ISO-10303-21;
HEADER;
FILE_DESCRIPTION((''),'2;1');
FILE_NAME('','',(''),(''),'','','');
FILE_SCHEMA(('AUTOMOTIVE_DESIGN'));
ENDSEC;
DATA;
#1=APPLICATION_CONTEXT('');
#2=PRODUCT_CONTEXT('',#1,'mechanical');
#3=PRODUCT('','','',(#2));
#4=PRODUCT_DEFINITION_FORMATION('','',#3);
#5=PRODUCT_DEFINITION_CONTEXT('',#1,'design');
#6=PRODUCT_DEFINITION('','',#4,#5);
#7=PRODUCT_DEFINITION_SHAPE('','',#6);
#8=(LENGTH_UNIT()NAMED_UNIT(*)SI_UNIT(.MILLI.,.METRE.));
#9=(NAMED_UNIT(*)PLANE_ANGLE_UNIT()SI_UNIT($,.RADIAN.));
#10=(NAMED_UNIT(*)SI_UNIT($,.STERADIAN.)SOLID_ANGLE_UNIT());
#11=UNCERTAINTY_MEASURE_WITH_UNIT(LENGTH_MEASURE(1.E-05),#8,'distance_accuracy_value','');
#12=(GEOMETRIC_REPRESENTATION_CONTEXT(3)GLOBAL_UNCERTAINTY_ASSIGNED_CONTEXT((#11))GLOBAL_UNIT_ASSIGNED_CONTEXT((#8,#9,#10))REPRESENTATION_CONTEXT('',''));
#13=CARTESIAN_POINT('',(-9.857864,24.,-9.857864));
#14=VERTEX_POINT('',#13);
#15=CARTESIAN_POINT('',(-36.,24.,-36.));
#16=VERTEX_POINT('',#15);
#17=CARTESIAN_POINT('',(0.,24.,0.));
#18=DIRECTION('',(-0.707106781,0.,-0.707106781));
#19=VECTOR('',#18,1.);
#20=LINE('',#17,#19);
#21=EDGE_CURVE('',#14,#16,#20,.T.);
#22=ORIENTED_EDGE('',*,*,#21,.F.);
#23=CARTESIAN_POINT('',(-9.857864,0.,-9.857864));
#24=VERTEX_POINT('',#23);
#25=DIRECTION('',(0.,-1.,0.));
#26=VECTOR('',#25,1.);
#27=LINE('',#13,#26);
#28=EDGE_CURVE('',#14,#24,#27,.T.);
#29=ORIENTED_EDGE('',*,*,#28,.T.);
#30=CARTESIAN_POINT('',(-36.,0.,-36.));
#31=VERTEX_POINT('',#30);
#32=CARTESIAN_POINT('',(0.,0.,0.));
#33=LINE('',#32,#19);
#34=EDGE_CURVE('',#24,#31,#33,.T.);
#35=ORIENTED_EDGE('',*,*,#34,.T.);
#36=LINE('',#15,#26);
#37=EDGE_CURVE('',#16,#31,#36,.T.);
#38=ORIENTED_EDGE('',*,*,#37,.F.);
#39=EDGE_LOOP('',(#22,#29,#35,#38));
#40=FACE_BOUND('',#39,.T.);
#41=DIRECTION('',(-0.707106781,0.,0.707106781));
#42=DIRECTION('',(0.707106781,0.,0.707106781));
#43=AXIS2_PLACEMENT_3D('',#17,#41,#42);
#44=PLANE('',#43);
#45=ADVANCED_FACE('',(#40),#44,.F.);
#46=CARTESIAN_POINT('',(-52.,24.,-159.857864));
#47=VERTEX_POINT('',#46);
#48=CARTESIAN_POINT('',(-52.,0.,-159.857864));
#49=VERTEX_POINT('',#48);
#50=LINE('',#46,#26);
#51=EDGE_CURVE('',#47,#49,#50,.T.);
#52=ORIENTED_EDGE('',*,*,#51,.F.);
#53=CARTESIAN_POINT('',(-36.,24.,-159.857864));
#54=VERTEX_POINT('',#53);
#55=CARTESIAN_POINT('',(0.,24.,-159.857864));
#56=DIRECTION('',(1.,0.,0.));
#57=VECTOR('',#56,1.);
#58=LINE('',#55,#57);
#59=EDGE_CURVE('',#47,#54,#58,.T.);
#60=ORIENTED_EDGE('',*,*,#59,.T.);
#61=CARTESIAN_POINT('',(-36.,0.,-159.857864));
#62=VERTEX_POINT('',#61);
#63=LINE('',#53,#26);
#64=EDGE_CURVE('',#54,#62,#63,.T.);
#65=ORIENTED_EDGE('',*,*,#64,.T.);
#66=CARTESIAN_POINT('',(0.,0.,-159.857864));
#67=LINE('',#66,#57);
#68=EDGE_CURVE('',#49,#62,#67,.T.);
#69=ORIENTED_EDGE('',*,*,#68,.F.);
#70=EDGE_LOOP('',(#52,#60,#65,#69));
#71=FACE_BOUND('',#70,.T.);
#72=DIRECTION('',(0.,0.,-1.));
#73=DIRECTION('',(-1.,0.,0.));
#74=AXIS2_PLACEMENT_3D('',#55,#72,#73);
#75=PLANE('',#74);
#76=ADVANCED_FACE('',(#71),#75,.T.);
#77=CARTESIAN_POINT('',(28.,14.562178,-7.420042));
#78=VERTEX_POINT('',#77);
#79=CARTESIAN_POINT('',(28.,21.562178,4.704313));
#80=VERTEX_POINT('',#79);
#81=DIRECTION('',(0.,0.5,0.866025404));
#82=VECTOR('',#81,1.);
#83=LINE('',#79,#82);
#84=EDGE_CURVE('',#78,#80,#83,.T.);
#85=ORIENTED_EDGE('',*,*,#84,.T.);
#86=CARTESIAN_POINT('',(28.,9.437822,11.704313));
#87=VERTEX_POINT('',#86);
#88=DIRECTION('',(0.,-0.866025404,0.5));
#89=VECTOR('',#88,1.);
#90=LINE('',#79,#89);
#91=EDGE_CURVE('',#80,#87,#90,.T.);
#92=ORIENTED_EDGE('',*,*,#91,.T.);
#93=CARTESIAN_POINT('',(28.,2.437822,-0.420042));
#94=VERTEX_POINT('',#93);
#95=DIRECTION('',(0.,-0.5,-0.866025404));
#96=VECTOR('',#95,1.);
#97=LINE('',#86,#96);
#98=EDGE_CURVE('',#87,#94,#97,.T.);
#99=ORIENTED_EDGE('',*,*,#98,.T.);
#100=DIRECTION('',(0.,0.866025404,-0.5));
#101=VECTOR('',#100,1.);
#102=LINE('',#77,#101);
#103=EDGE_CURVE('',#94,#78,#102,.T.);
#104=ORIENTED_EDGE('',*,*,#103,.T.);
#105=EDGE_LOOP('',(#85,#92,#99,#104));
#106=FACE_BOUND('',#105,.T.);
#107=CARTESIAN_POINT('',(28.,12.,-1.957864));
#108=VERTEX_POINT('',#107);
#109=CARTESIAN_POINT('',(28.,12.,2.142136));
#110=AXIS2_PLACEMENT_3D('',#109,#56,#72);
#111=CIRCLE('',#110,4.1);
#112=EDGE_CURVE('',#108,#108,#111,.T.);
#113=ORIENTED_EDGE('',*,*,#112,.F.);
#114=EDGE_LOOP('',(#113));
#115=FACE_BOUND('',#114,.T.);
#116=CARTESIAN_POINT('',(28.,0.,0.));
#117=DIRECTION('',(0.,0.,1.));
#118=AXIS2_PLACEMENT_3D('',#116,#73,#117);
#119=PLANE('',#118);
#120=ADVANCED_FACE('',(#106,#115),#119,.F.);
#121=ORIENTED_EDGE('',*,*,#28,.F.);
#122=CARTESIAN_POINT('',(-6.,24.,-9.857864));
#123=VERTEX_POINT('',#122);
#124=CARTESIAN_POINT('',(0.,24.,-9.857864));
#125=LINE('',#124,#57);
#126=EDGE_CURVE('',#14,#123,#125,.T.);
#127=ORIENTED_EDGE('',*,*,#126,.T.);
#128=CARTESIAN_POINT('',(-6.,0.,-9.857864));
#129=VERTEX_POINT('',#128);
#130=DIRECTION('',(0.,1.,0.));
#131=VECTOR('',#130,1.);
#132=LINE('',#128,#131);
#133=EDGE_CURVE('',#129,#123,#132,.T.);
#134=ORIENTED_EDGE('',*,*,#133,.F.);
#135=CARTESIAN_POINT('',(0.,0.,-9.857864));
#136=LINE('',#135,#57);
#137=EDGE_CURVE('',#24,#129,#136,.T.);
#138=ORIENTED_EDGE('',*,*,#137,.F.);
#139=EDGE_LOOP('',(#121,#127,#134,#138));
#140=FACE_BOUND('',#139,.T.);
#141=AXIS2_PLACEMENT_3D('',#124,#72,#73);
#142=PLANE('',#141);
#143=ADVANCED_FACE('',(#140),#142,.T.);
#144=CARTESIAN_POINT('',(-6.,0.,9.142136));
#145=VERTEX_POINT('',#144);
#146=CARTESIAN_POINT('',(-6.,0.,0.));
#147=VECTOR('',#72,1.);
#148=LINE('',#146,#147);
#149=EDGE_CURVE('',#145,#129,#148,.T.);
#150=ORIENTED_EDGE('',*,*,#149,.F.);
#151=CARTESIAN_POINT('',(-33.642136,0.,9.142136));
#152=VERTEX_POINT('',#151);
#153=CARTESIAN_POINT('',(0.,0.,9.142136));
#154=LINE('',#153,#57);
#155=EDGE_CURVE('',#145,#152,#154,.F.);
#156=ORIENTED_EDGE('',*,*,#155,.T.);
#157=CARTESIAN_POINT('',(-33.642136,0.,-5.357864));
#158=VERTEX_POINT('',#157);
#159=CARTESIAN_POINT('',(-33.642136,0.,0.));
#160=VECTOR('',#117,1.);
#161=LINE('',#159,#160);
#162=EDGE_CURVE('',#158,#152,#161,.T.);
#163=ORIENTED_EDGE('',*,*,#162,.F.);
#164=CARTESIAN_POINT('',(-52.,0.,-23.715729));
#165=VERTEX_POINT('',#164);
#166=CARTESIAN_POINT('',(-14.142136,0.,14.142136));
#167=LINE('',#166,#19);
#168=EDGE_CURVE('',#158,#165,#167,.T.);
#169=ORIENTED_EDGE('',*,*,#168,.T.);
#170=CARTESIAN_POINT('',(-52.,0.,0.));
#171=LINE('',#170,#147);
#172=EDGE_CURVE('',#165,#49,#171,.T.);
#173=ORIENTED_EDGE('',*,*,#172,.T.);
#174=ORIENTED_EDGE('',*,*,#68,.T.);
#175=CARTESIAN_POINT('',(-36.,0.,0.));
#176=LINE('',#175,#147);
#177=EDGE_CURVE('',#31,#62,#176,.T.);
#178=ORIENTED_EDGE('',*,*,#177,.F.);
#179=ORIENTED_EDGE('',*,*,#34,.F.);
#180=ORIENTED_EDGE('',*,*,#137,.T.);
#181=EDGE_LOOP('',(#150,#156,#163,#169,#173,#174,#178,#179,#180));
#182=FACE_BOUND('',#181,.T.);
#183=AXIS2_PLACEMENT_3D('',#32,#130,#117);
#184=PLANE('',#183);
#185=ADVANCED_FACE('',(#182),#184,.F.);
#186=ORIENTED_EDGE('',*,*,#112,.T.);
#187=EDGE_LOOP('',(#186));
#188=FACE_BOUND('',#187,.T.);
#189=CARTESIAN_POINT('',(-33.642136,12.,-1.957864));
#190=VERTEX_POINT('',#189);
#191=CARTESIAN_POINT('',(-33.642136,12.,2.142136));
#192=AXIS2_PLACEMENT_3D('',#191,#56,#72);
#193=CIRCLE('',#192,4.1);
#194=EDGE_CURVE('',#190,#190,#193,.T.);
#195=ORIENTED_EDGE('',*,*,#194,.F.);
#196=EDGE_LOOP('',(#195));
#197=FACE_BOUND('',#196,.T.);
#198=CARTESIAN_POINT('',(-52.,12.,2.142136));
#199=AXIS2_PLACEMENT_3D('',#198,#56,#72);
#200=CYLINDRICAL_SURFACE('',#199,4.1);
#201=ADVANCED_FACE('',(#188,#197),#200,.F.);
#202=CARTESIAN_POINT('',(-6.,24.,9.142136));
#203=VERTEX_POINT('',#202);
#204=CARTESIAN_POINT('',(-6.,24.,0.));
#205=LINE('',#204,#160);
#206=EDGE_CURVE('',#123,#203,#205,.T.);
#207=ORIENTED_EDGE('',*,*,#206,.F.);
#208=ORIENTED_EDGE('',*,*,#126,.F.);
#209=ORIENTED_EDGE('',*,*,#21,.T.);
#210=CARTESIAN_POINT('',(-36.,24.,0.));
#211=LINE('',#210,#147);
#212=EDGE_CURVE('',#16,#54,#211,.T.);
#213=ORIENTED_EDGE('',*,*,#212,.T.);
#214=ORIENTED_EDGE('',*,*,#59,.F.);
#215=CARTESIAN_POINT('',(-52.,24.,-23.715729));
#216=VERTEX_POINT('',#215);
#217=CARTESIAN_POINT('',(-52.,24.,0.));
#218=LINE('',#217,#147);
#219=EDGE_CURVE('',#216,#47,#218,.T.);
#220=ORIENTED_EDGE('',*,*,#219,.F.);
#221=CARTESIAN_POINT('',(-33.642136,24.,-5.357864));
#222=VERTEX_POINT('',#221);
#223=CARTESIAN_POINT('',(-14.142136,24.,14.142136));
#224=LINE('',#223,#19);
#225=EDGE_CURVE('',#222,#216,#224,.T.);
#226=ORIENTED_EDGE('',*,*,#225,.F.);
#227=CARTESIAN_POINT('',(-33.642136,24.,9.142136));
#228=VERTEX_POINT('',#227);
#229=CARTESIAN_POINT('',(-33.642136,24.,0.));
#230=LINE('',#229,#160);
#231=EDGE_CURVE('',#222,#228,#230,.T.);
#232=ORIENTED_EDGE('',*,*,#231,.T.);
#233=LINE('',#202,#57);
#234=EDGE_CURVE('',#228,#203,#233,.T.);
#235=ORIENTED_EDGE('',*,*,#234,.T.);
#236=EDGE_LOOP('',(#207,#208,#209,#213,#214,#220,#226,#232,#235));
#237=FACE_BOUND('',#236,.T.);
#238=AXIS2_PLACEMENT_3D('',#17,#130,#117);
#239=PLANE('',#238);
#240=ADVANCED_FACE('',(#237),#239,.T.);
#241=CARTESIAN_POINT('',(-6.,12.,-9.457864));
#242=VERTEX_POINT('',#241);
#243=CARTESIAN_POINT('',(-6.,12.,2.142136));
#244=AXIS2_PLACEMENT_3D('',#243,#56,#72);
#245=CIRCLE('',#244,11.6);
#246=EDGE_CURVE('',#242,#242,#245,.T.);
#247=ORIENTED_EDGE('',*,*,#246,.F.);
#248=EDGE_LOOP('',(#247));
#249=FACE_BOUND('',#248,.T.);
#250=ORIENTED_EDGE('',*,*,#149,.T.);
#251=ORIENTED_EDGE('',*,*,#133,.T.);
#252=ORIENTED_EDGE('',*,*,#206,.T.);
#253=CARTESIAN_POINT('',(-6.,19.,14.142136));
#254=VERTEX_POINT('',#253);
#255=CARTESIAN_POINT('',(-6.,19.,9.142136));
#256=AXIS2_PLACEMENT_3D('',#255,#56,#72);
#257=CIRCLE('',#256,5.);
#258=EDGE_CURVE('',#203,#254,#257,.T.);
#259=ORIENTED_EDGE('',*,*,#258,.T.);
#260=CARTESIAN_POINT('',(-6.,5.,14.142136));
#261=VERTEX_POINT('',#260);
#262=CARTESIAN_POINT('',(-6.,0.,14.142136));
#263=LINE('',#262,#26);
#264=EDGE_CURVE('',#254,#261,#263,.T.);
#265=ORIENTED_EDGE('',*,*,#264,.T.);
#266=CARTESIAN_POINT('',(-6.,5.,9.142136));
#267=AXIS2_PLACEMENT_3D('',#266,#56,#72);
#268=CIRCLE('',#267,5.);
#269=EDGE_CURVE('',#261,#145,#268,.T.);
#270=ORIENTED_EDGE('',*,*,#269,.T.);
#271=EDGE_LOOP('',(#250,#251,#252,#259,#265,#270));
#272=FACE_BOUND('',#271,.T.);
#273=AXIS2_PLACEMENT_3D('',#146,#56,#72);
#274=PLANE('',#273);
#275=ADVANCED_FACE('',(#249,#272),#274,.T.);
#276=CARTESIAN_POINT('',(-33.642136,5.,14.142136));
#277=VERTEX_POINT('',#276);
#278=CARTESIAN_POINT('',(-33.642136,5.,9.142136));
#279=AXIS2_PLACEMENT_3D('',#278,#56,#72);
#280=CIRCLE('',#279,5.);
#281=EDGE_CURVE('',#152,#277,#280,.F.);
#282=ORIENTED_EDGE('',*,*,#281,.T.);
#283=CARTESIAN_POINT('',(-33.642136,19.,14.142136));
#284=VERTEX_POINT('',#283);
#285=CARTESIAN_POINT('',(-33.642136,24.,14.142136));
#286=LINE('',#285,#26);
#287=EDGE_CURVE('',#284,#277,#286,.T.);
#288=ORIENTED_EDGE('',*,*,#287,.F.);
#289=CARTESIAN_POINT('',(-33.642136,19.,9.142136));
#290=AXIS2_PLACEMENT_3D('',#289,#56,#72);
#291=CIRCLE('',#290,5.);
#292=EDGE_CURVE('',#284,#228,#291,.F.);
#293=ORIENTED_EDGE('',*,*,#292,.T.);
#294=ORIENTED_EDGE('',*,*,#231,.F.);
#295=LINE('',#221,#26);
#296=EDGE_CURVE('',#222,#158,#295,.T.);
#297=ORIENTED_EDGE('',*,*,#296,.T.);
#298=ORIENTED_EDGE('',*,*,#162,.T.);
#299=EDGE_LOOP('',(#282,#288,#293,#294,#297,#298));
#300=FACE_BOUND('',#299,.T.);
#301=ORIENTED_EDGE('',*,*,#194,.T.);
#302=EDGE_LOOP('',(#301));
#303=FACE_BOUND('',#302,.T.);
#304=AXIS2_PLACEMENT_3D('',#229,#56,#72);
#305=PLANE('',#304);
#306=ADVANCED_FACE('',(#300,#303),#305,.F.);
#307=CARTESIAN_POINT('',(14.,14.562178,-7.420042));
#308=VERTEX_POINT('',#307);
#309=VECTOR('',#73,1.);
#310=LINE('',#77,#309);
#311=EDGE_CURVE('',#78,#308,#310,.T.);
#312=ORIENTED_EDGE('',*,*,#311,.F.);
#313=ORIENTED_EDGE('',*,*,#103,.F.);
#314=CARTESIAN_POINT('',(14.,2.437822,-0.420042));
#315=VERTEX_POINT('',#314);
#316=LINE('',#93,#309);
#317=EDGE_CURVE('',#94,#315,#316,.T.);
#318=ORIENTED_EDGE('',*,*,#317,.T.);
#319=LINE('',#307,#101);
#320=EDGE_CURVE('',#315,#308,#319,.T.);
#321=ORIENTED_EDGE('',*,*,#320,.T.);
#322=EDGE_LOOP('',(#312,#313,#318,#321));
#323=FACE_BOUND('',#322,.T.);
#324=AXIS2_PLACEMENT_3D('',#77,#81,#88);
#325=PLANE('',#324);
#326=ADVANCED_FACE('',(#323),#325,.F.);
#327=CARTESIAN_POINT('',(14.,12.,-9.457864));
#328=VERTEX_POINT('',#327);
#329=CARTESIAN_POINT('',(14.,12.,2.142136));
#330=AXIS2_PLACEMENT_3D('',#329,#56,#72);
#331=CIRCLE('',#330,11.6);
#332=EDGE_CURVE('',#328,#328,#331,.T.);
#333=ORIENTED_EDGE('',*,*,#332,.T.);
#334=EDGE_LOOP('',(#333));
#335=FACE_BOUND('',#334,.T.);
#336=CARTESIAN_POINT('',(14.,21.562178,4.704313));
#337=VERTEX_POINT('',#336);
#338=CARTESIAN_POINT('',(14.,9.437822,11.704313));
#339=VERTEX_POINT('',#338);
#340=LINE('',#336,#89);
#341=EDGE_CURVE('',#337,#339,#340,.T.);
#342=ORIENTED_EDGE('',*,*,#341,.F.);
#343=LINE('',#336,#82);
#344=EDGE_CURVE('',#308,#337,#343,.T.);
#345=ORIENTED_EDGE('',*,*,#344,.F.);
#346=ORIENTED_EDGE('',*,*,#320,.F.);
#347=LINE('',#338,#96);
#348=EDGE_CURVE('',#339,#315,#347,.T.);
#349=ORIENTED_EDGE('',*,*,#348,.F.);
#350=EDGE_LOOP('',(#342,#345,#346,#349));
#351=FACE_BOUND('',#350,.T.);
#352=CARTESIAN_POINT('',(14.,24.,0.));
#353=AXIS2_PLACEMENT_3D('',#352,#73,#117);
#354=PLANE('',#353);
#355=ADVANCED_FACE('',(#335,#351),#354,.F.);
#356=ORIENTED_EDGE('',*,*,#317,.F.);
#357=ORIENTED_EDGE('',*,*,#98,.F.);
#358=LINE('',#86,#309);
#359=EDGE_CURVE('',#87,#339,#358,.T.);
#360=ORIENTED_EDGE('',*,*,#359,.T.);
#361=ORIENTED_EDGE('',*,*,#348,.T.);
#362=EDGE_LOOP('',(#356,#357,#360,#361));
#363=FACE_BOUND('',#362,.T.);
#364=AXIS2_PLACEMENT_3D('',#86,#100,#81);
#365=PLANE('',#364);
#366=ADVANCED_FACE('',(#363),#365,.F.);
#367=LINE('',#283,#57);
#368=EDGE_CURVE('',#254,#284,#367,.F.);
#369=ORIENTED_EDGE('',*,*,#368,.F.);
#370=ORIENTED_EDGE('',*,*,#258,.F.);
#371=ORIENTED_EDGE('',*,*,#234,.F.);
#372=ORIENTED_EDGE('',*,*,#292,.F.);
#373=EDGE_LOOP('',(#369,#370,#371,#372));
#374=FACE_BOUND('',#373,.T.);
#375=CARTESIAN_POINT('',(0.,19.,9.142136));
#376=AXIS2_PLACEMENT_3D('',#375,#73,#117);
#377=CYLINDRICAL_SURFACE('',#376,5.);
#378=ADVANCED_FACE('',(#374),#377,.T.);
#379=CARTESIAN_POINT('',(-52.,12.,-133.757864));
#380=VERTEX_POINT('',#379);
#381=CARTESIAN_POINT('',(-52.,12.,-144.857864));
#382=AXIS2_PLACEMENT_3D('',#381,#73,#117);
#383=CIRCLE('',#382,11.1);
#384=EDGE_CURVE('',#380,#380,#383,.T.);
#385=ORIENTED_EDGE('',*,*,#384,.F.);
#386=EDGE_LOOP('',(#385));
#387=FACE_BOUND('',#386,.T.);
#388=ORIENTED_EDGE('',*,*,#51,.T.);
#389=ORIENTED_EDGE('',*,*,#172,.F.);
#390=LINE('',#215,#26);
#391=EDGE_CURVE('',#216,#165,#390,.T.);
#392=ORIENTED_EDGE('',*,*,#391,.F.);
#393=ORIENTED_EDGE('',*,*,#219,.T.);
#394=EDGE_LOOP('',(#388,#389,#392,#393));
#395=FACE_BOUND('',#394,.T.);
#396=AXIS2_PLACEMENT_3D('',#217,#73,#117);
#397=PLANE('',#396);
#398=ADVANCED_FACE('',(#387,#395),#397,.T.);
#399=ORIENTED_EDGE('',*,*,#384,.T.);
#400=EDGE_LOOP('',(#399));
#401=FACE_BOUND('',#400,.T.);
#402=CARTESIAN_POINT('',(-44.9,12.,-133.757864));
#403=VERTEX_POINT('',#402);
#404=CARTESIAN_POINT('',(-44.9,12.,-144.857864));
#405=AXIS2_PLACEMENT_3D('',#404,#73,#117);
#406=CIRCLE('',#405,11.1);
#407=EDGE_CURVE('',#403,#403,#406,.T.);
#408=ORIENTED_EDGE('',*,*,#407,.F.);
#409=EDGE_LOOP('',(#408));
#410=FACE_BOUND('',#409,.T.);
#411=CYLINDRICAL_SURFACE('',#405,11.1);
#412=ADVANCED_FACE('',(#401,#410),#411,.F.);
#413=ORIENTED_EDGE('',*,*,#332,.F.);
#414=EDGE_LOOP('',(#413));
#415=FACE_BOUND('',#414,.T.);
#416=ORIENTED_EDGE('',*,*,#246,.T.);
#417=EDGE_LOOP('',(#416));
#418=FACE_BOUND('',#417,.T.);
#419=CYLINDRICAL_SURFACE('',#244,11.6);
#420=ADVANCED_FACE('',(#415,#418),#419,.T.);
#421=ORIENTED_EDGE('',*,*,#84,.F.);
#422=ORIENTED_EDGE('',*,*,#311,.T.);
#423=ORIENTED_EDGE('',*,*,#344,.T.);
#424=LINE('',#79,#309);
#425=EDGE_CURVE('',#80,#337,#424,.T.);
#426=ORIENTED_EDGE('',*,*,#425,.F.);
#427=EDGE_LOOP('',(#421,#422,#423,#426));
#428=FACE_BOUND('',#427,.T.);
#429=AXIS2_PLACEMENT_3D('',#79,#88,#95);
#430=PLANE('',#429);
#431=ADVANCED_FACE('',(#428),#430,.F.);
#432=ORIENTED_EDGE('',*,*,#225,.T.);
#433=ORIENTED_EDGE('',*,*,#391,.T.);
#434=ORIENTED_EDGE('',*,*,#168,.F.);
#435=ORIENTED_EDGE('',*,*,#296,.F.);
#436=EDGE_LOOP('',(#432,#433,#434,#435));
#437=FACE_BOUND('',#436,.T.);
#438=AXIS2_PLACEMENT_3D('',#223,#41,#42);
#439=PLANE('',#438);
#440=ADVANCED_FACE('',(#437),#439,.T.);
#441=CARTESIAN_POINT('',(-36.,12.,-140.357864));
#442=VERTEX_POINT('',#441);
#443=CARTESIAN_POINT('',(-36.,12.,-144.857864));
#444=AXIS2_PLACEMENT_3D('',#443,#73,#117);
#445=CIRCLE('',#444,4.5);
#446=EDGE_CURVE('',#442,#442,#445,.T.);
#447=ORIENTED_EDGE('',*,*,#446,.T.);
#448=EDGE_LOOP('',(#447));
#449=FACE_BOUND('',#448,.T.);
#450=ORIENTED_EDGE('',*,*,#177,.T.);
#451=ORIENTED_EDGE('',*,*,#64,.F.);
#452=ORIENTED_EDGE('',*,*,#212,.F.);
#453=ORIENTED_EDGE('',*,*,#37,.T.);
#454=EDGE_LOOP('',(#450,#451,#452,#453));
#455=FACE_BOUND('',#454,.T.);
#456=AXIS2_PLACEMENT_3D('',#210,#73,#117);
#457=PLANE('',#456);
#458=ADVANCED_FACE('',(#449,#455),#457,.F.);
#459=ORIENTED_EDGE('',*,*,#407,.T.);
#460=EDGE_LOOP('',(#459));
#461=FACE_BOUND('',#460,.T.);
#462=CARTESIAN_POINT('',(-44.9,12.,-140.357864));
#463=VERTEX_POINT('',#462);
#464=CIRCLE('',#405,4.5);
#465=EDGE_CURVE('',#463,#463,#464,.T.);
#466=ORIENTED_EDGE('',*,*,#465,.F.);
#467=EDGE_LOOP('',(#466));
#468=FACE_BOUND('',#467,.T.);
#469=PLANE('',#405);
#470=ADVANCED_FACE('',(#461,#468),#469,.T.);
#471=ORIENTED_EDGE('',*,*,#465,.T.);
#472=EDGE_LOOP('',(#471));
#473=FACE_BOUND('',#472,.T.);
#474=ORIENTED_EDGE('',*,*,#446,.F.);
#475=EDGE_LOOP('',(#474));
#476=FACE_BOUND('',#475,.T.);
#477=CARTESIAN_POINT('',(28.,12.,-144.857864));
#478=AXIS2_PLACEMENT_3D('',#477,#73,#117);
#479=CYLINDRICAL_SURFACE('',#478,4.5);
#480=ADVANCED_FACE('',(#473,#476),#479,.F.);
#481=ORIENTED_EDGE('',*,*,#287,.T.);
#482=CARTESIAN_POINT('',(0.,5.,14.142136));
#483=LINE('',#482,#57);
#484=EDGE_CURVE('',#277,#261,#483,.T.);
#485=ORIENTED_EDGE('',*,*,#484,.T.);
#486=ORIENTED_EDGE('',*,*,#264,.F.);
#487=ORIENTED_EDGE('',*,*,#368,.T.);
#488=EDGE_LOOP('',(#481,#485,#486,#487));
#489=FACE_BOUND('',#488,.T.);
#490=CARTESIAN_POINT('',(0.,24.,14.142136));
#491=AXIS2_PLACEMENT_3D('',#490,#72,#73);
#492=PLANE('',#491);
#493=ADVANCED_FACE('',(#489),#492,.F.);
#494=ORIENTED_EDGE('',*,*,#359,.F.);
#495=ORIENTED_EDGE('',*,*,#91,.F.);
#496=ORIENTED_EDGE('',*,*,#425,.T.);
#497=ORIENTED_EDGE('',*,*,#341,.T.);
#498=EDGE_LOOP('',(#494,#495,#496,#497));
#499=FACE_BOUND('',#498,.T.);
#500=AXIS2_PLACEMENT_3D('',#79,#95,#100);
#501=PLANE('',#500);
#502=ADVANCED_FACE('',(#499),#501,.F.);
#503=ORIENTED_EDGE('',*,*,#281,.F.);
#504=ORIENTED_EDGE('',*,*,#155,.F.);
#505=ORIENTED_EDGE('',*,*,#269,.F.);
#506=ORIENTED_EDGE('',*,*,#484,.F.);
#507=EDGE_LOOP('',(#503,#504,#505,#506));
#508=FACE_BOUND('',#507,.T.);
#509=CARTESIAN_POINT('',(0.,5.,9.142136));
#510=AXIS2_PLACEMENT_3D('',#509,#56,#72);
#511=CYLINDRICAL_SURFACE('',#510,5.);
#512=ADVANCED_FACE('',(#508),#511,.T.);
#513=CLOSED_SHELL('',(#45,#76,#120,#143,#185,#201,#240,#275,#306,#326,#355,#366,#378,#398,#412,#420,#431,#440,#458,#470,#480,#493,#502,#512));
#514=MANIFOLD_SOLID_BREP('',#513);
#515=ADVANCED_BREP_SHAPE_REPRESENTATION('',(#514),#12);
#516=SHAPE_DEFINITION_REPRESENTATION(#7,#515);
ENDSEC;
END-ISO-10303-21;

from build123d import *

# Parameters (mm, degrees)
EXTRUDE_1_DEPTH          = 24
SKETCH_2_W               = 24
SKETCH_2_H               = 24
SKETCH_2_R               = 11.6
CUT_EXTRUDE_1_DEPTH      = 20
SKETCH_6_R               = 4.1
CUT_EXTRUDE_3_DEPTH      = 1
CUT_EXTRUDE_3_DEPTH_BACK = 67
FILLET_3_R               = 5
EXTRUDE_2_DEPTH          = 14
SKETCH_10_R              = 4.1
CUT_EXTRUDE_4_DEPTH      = 81
SKETCH_12_R              = 11.1
CUT_EXTRUDE_5_DEPTH      = 7.1
SKETCH_13_R              = 4.5
CUT_EXTRUDE_6_DEPTH      = 73.9


with BuildPart() as part:
    # Sketch 1 → Extrude 1 (new body)
    with BuildSketch(Plane(origin=(0, 0, 0), x_dir=(1, 0, 0), z_dir=(0, 1, 0))):
        Polygon((-37.857864376, 37.857864376), (-36, 36), (-36, 159.857864376), (-52, 159.857864376), (-52, 23.715728753), align=None)
        Polygon((-36, 23.715728753), (-36, 36), (-37.857864376, 37.857864376), (-52, 23.715728753), align=None)
        Polygon((-33.642135624, 5.357864376), (-14.142135624, -14.142135624), (-14.142135624, 9.857864376), (-9.857864376, 9.857864376), (-36, 36), (-36, 23.715728753), (-52, 23.715728753), align=None)
        Polygon((-14.142135624, -14.142135624), (0, 0), (-9.857864376, 9.857864376), (-14.142135624, 9.857864376), align=None)
        Polygon((-9.857864376, 9.857864376), (0, 0), (-14.142135624, -14.142135624), (14, -14.142135624), (14, 9.857864376), align=None)
        Polygon((-33.642135624, -14.142135624), (-14.142135624, -14.142135624), (-33.642135624, 5.357864376), align=None)
    extrude(amount=EXTRUDE_1_DEPTH)

    # Sketch 2 → Cut-Extrude 1 (cut)
    with BuildSketch(Plane(origin=(14, 0, 0), x_dir=(0, 0, -1), z_dir=(1, 0, 0))):
        with Locations((-2.142135624, 12)):
            Rectangle(SKETCH_2_W, SKETCH_2_H)
        with Locations((-2.142135624, 12)):
            Circle(SKETCH_2_R, mode=Mode.SUBTRACT)
    extrude(amount=-CUT_EXTRUDE_1_DEPTH, mode=Mode.SUBTRACT)

    # Sketch 6 → Cut-Extrude 3 (cut, two sides)
    with BuildSketch(Plane(origin=(14, 0, 0), x_dir=(0, 0, -1), z_dir=(1, 0, 0))) as cut_extrude_3_sk:
        with Locations((-2.142135624, 12)):
            Circle(SKETCH_6_R)
    extrude(amount=CUT_EXTRUDE_3_DEPTH, mode=Mode.SUBTRACT)
    extrude(cut_extrude_3_sk.sketch, amount=-CUT_EXTRUDE_3_DEPTH_BACK, mode=Mode.SUBTRACT)

    # Fillet 3
    fillet_3_edges = [part.edges().sort_by_distance(p)[0] for p in [
        (-19.821067812, 0, 14.142135624),
        (-19.821067812, 24, 14.142135624),
    ]]
    fillet(fillet_3_edges, radius=FILLET_3_R)

    # Sketch 9 → Extrude 2 (add)
    with BuildSketch(Plane(origin=(14, 0, 0), x_dir=(0, 0, -1), z_dir=(1, 0, 0))):
        Polygon((-4.70431345, 21.562177826), (-11.70431345, 9.437822174), (0.420042203, 2.437822174), (7.420042203, 14.562177826), align=None)
    extrude(amount=EXTRUDE_2_DEPTH)

    # Sketch 10 → Cut-Extrude 4 (cut, through all)
    with BuildSketch(Plane(origin=(28, 0, 0), x_dir=(0, 0, -1), z_dir=(1, 0, 0))):
        with Locations((-2.142135624, 12)):
            Circle(SKETCH_10_R)
    extrude(amount=-CUT_EXTRUDE_4_DEPTH, mode=Mode.SUBTRACT)

    # Sketch 12 → Cut-Extrude 5 (cut)
    with BuildSketch(Plane.ZY.offset(52)):
        with Locations((-144.857864376, 12)):
            Circle(SKETCH_12_R)
    extrude(amount=-CUT_EXTRUDE_5_DEPTH, mode=Mode.SUBTRACT)

    # Sketch 13 → Cut-Extrude 6 (cut, through all)
    with BuildSketch(Plane.ZY.offset(44.9)):
        with Locations((-144.857864376, 12)):
            Circle(SKETCH_13_R)
    extrude(amount=-CUT_EXTRUDE_6_DEPTH, mode=Mode.SUBTRACT)


solid = part.part
